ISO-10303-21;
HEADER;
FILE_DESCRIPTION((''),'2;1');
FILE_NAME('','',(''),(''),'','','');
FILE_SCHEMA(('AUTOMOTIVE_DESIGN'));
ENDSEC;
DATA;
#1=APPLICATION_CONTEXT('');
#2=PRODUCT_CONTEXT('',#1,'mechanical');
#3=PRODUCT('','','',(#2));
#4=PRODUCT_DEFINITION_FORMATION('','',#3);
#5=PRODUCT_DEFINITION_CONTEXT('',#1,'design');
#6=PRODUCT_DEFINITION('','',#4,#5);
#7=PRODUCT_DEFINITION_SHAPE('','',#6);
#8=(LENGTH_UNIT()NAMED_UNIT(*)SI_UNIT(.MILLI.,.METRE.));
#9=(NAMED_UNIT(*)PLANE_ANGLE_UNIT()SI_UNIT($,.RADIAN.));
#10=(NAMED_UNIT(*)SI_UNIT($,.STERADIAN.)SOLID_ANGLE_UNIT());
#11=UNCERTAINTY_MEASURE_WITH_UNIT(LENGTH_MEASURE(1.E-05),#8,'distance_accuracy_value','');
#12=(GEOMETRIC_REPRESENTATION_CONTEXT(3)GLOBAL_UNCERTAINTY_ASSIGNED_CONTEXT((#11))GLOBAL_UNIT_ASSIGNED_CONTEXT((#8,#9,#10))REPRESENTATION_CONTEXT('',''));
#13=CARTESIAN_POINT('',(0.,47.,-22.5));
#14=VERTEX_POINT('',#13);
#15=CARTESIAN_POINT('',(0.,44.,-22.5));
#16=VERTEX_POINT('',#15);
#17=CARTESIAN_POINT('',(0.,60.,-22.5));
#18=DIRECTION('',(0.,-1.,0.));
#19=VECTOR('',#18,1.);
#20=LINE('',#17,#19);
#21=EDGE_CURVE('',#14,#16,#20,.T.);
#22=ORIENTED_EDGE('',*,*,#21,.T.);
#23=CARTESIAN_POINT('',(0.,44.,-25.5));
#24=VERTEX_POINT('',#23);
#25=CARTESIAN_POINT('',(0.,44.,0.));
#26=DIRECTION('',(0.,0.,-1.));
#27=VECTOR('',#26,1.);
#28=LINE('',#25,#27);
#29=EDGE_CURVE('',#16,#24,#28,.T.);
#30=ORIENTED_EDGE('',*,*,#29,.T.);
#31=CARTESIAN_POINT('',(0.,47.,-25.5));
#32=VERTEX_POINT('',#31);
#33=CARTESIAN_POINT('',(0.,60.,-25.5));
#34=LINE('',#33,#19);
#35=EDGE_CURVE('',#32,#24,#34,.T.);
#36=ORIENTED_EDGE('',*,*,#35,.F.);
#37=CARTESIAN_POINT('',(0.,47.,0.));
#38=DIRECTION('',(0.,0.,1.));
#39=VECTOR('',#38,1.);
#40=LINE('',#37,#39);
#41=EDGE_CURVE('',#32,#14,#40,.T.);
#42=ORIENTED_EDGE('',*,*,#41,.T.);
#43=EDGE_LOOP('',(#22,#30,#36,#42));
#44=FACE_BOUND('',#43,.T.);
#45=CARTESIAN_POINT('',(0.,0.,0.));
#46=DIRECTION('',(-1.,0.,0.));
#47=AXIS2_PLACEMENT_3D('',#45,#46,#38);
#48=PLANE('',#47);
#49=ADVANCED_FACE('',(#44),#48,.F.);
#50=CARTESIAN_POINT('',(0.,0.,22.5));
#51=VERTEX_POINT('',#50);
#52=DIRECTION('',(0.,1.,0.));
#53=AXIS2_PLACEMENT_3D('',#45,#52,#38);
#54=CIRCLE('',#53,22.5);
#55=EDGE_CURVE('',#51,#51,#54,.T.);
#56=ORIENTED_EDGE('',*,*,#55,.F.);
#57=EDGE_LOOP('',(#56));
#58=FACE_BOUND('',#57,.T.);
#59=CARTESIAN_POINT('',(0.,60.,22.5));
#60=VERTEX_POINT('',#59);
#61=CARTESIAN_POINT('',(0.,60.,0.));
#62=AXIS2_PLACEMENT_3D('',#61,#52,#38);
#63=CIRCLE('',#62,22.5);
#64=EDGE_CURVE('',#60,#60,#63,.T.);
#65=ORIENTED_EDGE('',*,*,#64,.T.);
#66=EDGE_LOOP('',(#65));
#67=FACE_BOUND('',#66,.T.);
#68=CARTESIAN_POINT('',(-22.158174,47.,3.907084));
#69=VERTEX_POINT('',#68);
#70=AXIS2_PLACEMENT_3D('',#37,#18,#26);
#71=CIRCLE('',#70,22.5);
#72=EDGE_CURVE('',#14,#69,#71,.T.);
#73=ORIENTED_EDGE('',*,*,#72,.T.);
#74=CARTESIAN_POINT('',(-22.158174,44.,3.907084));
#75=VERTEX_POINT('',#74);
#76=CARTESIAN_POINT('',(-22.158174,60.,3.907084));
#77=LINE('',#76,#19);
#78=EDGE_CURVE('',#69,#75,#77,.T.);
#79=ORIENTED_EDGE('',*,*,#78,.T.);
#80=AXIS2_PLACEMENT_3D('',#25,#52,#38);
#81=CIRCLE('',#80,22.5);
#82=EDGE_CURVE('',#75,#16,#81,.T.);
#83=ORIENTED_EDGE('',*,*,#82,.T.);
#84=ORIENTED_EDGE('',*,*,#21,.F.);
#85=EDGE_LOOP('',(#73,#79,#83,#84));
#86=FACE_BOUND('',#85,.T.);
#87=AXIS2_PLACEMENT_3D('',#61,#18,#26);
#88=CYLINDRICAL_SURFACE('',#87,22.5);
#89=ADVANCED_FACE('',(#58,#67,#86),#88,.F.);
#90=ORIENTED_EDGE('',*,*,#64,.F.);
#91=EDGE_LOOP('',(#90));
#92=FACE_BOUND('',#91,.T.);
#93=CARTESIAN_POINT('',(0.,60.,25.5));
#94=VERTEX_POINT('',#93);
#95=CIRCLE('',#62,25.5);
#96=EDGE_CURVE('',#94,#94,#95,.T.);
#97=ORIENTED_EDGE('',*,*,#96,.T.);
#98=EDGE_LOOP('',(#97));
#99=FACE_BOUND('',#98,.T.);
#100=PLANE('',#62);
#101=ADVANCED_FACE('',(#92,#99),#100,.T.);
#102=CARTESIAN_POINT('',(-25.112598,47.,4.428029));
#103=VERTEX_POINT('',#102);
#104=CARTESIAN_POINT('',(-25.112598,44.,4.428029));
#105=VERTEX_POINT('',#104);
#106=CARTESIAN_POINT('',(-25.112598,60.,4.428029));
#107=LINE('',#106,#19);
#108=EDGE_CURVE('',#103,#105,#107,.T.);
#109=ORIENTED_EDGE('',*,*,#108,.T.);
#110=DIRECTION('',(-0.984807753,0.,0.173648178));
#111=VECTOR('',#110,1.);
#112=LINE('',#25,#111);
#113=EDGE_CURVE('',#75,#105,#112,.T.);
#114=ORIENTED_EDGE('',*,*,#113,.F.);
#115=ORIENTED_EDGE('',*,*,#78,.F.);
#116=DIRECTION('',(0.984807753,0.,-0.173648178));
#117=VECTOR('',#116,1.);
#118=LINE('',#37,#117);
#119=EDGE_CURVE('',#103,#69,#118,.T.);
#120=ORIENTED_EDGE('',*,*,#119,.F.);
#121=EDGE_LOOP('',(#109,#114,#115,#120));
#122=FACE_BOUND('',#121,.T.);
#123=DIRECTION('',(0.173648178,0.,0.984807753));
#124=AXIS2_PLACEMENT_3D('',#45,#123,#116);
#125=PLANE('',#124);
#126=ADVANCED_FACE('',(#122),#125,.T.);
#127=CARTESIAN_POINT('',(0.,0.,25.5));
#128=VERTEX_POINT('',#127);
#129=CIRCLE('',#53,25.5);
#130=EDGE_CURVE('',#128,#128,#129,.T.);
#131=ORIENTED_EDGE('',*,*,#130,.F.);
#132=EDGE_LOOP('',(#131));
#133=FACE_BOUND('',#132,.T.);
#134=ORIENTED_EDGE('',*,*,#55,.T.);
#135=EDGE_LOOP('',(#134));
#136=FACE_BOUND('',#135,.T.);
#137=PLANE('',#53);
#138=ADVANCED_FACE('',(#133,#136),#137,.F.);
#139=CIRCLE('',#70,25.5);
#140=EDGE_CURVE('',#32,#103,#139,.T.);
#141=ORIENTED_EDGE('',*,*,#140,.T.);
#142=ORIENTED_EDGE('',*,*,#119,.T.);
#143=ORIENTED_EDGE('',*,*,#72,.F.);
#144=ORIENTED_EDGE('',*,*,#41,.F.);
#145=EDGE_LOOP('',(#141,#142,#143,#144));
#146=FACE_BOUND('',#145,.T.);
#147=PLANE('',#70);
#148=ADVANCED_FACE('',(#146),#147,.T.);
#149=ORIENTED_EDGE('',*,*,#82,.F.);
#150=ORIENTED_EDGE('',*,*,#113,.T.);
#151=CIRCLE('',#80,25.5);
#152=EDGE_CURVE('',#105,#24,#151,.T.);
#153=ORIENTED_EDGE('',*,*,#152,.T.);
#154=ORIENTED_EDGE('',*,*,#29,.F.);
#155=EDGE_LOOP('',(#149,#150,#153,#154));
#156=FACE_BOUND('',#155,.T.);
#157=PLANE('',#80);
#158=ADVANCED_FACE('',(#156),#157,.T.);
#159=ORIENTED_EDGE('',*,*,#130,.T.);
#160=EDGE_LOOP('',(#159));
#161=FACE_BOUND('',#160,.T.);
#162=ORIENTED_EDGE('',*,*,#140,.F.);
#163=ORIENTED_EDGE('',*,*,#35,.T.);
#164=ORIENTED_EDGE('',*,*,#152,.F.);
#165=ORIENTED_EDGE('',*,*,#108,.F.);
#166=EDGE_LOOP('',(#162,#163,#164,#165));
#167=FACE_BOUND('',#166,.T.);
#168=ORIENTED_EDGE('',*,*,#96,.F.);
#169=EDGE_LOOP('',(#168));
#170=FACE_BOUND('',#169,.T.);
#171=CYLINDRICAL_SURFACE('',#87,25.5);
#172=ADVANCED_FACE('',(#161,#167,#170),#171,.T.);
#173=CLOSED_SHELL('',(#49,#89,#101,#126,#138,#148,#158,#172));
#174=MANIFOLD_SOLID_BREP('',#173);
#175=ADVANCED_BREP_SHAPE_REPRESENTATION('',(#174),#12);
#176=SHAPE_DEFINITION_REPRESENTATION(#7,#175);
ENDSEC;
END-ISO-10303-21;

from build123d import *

# Parameters (mm, degrees)
SKETCH_1_R          = 25.5
SKETCH_1_R_2        = 22.5
EXTRUDE_1_DEPTH     = 60
SKETCH_2_W          = 46.809184836
SKETCH_2_H          = 3
CUT_REVOLVE_1_ANGLE = 260


with BuildPart() as part:
    # 草图1 → 凸台-拉伸1 (new body)
    with BuildSketch(Plane(origin=(0, 0, 0), x_dir=(1, 0, 0), z_dir=(0, 1, 0))):
        Circle(SKETCH_1_R)
        Circle(SKETCH_1_R_2, mode=Mode.SUBTRACT)
    extrude(amount=EXTRUDE_1_DEPTH)

    # 草图2 → 切除-旋转1 (revolve, cut)
    with BuildSketch(Plane(origin=(0, 0, 0), x_dir=(0, 0, -1), z_dir=(1, 0, 0))):
        with Locations((23.404592418, 45.5)):
            Rectangle(SKETCH_2_W, SKETCH_2_H)
    revolve(axis=Axis((0, 60.338123586, 0), (0, -1, 0)), revolution_arc=CUT_REVOLVE_1_ANGLE, mode=Mode.SUBTRACT)


solid = part.part
